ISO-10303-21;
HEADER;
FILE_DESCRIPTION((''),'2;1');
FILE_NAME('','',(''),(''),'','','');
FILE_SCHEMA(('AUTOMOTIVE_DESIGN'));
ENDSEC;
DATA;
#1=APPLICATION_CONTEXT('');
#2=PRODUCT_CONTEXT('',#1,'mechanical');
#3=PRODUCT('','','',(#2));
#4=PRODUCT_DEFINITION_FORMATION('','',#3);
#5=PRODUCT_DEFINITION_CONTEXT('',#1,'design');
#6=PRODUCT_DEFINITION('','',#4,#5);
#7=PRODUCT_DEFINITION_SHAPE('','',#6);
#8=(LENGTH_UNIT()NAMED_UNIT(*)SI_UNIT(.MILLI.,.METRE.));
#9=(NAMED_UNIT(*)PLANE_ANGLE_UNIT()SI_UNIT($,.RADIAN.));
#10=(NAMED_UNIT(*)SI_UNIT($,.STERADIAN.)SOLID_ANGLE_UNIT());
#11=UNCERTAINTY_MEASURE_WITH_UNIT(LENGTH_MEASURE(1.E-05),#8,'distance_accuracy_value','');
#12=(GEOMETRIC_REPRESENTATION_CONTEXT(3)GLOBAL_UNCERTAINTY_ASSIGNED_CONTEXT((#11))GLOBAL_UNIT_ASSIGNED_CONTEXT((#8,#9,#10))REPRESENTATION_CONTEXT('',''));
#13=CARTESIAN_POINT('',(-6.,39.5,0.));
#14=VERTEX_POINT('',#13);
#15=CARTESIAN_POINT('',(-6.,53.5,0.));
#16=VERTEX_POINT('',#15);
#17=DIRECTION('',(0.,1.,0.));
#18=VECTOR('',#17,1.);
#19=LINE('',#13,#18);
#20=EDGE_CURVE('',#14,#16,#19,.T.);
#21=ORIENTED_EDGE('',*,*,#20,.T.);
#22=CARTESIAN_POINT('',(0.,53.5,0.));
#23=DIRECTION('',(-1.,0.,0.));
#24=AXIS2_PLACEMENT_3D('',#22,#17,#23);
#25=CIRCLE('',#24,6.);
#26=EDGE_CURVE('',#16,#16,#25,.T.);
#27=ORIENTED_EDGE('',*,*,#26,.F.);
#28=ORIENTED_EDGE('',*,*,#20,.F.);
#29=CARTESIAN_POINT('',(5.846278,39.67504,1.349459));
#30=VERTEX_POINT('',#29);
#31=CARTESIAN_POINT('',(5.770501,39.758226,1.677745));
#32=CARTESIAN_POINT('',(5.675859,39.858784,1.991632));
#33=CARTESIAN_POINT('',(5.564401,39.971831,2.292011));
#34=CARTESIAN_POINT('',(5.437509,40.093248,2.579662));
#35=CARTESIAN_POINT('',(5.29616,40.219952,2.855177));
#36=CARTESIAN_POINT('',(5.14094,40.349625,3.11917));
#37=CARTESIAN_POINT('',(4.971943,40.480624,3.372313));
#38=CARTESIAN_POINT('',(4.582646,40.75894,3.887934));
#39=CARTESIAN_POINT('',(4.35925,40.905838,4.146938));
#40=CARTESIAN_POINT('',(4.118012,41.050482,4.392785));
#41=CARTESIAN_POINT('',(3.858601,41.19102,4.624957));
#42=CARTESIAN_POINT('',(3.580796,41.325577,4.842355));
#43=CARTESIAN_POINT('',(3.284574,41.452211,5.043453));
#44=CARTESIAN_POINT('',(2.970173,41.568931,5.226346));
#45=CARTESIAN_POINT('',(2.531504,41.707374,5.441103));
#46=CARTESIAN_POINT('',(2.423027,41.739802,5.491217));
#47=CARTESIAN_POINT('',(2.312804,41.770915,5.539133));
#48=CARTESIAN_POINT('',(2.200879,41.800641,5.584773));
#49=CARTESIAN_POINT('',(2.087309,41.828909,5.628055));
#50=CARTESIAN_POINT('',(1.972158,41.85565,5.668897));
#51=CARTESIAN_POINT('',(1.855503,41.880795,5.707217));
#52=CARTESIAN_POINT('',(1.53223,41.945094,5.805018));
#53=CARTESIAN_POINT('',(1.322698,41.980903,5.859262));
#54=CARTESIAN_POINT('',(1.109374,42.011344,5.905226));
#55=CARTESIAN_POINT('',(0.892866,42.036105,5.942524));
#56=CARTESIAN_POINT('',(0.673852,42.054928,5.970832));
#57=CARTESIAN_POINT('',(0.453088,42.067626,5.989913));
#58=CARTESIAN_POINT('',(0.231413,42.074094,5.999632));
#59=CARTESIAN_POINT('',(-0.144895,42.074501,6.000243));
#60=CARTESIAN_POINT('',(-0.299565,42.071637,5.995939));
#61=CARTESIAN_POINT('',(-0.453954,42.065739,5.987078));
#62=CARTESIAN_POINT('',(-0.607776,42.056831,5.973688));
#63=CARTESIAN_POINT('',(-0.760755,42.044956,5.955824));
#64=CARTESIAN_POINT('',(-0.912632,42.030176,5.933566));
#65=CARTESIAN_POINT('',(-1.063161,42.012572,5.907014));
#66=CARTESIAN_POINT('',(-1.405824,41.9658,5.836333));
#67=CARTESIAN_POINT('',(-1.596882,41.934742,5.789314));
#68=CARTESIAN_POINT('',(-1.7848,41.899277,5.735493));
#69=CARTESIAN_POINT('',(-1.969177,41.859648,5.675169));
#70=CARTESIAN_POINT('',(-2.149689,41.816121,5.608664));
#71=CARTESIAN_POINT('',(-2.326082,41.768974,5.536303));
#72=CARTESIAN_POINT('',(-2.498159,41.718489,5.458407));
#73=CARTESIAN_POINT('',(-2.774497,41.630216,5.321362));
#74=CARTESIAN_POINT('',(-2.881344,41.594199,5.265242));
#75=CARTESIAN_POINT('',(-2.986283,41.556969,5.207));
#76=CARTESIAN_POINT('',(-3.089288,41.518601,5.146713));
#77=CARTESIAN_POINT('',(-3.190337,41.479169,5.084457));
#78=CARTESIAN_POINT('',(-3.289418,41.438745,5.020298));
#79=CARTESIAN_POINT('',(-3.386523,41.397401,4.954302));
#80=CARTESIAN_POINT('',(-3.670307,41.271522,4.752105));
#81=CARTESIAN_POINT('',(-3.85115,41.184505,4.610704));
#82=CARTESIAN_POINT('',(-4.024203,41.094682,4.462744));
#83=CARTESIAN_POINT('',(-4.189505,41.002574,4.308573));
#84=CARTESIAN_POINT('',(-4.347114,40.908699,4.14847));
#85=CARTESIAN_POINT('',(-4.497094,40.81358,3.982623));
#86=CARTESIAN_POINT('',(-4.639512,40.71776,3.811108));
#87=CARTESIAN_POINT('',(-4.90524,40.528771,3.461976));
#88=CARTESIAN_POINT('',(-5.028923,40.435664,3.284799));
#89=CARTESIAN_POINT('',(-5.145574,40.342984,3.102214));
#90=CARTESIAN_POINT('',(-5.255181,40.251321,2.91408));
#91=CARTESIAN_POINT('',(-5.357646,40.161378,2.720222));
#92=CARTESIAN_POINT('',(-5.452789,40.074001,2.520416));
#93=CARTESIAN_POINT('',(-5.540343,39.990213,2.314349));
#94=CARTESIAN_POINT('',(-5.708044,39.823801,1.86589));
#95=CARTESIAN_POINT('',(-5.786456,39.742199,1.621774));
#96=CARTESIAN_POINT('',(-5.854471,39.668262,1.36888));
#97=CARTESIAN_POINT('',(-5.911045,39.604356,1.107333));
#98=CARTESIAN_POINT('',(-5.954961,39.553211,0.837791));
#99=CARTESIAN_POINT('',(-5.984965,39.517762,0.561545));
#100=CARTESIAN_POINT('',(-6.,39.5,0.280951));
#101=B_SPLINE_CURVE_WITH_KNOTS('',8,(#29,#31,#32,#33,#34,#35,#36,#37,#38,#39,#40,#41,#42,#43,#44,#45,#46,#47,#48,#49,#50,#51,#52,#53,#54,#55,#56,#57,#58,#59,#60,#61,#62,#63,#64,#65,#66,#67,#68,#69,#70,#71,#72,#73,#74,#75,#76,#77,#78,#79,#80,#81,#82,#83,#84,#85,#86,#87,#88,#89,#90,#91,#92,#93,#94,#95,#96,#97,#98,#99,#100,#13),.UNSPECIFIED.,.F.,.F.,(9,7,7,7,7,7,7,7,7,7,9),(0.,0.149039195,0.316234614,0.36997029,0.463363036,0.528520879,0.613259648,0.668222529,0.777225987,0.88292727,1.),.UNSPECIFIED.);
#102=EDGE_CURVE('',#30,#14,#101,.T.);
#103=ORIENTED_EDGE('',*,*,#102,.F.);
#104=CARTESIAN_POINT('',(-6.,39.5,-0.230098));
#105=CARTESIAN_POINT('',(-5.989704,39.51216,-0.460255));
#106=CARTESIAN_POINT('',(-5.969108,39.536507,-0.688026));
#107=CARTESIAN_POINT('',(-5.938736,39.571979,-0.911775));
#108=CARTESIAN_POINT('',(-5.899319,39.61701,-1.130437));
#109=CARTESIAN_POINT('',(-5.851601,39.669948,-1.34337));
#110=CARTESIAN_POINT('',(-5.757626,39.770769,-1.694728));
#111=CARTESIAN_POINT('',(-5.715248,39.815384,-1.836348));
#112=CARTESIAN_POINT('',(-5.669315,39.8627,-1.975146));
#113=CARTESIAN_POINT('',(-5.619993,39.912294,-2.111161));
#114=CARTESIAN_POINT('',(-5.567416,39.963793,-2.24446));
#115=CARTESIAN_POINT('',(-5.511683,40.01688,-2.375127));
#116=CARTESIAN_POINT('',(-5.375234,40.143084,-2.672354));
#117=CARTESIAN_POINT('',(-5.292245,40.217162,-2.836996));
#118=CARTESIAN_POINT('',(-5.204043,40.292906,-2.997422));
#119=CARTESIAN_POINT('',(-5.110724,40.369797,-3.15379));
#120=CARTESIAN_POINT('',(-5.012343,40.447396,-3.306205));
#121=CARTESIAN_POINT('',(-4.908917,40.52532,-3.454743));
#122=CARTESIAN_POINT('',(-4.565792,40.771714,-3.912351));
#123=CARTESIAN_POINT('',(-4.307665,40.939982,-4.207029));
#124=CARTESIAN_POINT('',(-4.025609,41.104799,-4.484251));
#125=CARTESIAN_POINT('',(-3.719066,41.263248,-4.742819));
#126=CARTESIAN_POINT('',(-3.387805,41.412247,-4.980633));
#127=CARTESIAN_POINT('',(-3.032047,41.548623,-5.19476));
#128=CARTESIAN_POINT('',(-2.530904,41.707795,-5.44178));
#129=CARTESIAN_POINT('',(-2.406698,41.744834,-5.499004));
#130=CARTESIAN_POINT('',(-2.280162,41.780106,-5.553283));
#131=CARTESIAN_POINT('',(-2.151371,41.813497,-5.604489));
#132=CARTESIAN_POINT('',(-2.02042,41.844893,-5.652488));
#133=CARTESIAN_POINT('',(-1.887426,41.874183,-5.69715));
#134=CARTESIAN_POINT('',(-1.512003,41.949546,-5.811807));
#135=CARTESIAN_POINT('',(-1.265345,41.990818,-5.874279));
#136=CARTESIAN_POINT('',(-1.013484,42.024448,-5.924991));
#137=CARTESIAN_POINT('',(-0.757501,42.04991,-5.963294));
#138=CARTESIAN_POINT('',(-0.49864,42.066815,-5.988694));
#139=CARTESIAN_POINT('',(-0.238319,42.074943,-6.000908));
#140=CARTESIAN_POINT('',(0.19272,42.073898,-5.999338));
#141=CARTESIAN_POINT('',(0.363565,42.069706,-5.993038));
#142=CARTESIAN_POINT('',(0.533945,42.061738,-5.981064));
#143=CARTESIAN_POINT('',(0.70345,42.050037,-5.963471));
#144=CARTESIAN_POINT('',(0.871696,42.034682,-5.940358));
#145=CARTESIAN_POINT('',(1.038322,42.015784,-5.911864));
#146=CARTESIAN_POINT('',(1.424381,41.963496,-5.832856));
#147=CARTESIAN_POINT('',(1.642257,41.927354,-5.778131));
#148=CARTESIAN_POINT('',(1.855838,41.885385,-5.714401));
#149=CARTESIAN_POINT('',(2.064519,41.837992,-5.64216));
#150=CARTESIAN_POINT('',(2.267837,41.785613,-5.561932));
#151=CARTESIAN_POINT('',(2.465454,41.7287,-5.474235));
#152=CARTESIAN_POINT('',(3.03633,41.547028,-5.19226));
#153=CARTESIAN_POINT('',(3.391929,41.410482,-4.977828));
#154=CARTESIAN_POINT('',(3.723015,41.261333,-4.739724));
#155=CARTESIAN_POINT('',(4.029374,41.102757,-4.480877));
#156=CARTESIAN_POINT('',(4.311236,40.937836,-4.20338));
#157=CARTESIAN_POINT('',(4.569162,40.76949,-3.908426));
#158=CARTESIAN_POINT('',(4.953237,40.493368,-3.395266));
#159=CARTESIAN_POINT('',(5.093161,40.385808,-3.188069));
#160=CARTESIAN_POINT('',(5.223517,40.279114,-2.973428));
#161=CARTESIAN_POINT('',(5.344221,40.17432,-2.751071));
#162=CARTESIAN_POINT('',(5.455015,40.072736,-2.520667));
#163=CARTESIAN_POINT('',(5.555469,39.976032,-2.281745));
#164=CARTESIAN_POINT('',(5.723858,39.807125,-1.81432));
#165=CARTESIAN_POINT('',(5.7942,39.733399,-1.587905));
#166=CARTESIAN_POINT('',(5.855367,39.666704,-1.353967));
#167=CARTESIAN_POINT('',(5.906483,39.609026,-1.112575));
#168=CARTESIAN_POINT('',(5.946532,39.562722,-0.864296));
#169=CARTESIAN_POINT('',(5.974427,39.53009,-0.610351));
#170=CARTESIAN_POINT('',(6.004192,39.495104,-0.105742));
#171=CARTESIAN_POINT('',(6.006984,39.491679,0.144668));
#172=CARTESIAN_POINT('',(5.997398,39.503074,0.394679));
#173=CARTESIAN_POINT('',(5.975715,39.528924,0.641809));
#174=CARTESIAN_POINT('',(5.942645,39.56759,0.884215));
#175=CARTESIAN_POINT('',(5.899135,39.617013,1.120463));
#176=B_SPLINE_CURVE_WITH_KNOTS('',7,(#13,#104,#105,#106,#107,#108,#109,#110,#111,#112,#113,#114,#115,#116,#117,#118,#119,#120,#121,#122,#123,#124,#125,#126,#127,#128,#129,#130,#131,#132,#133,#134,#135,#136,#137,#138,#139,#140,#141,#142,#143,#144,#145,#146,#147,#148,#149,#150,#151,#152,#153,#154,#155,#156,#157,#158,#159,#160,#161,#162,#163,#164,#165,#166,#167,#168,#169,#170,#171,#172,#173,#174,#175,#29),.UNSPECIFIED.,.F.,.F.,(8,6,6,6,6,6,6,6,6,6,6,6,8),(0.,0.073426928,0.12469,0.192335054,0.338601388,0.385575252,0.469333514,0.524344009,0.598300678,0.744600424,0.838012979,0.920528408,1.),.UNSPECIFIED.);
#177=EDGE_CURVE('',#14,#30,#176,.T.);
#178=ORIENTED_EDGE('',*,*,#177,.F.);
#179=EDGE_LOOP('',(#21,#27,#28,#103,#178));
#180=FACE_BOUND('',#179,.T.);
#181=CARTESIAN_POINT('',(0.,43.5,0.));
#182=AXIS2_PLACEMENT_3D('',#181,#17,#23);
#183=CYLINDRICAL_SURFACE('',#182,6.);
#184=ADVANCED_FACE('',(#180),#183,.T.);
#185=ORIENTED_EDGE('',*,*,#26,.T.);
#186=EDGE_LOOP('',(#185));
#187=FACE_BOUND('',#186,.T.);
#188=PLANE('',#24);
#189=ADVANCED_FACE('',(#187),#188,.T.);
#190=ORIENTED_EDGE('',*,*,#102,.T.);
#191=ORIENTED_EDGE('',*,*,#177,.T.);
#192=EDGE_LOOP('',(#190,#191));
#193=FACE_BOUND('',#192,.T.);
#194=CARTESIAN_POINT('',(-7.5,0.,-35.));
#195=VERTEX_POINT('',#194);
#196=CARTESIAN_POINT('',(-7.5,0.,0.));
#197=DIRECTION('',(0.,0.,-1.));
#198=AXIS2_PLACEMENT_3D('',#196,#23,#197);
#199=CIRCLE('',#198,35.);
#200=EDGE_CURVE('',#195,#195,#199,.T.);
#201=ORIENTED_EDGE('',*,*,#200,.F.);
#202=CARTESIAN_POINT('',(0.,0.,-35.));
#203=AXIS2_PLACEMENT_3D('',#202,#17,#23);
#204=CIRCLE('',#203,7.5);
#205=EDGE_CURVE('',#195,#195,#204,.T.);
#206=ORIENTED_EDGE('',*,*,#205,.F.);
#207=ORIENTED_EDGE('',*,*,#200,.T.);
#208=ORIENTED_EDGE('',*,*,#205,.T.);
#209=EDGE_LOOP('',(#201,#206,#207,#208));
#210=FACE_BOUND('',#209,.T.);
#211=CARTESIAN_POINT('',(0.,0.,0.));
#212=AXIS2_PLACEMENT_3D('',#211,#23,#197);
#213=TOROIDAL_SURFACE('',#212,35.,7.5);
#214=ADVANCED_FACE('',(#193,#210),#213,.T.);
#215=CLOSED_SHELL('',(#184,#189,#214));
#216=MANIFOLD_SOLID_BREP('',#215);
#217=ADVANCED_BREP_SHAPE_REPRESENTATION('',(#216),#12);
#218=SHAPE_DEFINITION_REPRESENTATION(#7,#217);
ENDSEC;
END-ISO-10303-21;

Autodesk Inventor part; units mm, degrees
ref_plane "YZ Plane" through (0, 0, 0) normal (1, 0, 0) x (0, 1, 0)
ref_plane "XY Plane" through (0, 0, 0) normal (0, 0, 1) x (1, 0, 0)
sketch "Sketch1" plane through (0, 0, 0) normal (0, 1, 0) x (-1, 0, 0)
  circle A0 centre (0, -35) radius 7.5
  line L0 (0, 0) -> (21.8299, 0)
  dimension "d0" = 35
  dimension "d1" = 15
revolve "Revolution1" add sketch "Sketch1" angle 360 about axis through (0, 0, 0) along (-1, 0, 0)
ref_plane "Work Plane1" through (0, 43.5, 0) normal (0, 1, 0) x (-1, 0, 0)
sketch "Sketch2" plane through (0, 43.5, 0) normal (0, 1, 0) x (-1, 0, 0)
  circle A0 centre (0, 0) radius 6
  dimension "d4" = 12
extrude "Extrusion1" add sketch "Sketch2" along normal blind 10 and the other way blind 5
properties part number "loop catcher"
